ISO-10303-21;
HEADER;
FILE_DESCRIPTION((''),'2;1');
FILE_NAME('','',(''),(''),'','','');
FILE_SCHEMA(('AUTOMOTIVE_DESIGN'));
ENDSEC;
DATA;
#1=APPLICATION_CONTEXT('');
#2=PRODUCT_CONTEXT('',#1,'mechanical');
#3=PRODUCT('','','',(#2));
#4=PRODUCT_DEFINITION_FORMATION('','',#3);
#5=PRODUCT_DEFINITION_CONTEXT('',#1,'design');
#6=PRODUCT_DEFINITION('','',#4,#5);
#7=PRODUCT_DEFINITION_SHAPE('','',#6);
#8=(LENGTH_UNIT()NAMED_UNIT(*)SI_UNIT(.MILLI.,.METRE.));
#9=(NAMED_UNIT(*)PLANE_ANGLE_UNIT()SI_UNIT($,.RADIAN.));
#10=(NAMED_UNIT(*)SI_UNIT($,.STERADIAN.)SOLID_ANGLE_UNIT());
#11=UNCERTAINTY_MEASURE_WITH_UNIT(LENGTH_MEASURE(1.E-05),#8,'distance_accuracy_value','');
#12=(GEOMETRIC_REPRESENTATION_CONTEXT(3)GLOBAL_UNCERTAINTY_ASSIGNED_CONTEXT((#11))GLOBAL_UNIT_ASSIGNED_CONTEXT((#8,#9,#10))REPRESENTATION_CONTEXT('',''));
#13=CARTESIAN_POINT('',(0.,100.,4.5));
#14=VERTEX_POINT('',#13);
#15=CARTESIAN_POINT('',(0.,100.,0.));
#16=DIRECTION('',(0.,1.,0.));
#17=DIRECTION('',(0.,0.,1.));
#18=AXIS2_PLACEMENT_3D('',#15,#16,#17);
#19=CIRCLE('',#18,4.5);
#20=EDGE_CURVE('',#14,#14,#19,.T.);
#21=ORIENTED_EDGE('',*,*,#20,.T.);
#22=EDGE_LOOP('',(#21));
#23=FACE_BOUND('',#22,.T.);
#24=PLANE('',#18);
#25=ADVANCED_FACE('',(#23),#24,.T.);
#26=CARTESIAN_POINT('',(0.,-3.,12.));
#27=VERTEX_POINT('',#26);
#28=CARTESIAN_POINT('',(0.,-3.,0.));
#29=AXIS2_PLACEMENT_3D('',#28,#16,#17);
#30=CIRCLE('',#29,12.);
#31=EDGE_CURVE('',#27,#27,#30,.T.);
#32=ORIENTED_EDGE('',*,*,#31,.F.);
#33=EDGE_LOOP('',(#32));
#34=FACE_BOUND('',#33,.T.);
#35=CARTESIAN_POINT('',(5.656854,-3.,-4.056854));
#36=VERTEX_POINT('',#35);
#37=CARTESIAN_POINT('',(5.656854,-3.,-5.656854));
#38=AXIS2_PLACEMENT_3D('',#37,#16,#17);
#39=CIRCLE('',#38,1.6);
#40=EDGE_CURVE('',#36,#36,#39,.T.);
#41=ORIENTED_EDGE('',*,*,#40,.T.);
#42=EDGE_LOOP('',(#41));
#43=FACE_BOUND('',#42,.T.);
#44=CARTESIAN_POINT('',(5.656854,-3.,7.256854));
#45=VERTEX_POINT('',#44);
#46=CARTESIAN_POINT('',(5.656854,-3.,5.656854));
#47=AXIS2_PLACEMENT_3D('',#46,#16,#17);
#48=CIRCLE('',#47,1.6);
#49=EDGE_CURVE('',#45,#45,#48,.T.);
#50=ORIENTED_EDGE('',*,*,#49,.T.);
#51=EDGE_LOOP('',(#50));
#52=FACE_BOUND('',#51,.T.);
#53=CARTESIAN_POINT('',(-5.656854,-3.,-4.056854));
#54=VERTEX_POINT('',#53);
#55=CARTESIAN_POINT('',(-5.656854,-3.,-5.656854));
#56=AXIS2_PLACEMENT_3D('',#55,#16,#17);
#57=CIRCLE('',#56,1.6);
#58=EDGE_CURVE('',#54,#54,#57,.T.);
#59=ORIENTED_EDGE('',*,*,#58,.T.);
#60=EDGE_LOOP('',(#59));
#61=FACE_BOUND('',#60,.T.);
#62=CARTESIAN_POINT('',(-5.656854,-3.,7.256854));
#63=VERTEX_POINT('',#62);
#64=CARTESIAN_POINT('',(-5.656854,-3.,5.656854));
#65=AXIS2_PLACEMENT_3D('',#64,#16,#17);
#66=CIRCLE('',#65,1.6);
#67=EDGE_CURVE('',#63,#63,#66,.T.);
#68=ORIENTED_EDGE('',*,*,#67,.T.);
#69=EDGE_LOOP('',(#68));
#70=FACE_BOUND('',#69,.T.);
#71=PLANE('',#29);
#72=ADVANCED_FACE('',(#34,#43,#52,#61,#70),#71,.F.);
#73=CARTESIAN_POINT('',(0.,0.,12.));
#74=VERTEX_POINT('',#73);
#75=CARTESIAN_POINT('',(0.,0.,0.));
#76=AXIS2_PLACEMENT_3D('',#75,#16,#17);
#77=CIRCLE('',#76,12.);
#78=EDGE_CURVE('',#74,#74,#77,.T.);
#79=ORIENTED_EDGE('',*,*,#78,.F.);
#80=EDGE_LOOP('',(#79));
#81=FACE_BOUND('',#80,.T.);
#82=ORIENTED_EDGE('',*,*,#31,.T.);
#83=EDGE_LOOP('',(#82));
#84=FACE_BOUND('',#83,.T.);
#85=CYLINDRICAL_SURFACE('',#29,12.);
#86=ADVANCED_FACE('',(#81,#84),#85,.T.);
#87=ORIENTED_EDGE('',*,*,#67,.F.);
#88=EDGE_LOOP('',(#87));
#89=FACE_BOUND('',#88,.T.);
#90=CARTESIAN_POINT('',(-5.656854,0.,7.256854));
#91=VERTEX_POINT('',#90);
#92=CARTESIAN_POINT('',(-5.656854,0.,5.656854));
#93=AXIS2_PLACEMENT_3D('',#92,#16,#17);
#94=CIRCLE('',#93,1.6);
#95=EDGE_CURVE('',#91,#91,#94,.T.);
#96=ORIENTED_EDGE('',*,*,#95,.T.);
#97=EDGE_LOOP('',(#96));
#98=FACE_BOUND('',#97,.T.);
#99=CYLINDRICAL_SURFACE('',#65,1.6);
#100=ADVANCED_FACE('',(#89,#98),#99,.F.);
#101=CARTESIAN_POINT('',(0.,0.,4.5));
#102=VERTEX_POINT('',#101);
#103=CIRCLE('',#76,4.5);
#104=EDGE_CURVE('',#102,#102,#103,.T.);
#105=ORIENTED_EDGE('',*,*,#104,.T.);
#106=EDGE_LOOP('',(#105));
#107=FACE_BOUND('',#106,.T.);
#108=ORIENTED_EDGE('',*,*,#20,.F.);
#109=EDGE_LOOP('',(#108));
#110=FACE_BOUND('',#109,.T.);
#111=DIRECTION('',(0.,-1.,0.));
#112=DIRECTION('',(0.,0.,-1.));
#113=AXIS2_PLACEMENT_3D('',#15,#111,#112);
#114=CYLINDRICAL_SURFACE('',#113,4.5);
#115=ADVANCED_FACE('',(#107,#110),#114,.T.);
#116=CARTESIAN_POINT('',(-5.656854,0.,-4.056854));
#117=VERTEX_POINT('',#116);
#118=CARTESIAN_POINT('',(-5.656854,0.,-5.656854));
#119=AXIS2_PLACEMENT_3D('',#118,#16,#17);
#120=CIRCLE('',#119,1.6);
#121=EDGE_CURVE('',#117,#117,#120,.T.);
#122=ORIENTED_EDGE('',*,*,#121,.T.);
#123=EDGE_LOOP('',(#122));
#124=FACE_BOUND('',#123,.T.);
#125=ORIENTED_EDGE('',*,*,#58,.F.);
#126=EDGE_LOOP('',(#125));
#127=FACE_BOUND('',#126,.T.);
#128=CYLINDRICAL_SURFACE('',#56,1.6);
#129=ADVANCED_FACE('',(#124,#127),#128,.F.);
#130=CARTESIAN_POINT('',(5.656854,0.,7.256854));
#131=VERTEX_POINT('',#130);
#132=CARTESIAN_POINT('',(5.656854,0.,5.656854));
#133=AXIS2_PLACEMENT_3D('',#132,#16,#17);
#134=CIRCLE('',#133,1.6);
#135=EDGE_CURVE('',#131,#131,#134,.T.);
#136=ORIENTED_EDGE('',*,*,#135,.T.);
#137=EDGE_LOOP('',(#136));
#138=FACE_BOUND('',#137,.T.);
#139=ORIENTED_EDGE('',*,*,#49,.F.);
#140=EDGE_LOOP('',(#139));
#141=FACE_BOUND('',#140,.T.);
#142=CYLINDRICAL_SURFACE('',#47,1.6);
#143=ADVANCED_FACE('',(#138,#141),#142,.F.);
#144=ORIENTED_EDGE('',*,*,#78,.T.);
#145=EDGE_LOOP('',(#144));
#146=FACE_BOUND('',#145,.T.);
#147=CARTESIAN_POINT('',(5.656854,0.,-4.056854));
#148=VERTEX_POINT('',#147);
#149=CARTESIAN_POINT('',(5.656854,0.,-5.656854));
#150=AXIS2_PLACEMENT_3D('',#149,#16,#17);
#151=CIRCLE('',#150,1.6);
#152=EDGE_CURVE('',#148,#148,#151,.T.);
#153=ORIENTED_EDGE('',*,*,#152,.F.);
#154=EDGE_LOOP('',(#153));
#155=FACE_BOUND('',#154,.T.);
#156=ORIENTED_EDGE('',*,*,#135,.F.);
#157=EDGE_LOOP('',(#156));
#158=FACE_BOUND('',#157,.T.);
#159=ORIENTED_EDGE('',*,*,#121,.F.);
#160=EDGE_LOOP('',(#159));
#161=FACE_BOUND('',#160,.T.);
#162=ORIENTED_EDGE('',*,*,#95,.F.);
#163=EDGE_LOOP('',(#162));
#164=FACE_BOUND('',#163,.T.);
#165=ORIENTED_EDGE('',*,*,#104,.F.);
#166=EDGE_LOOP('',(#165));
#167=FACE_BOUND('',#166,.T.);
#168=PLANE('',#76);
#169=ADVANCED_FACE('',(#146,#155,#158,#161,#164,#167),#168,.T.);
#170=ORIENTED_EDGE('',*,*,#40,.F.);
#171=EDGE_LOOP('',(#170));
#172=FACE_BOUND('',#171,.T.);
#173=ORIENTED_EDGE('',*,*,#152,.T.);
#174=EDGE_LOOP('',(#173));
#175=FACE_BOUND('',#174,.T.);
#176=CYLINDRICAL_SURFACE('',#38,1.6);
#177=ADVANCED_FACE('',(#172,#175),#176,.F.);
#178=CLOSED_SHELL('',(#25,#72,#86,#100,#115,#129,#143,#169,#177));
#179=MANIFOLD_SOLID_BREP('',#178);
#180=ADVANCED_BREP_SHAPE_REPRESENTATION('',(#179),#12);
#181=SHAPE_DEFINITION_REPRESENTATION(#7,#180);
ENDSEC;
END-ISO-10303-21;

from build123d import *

# Parameters (mm, degrees)
SKETCH_1_R          = 12
EXTRUDE_2_DEPTH     = 3
SKETCH_2_R          = 1.6
CUT_EXTRUDE_1_DEPTH = 3
SKETCH_3_R          = 4.5
EXTRUDE_3_DEPTH     = 100


with BuildPart() as part:
    # 草图1 → 凸台-拉伸2 (new body)
    with BuildSketch(Plane(origin=(0, 0, 0), x_dir=(1, 0, 0), z_dir=(0, 1, 0))):
        with Locations(Location((0, 0, 0), (0, 0, 270))):
            Circle(SKETCH_1_R)
    extrude(amount=-EXTRUDE_2_DEPTH)

    # 草图2 → 切除-拉伸1 (cut)
    with BuildSketch(Plane(origin=(0, 0, 0), x_dir=(1, 0, 0), z_dir=(0, 1, 0))):
        with Locations(Location((5.656854249, -5.656854249, 0), (0, 0, 270))):
            Circle(SKETCH_2_R)
        with Locations(Location((-5.656854249, -5.656854249, 0), (0, 0, 270))):
            Circle(SKETCH_2_R)
        with Locations(Location((-5.656854249, 5.656854249, 0), (0, 0, 270))):
            Circle(SKETCH_2_R)
        with Locations(Location((5.656854249, 5.656854249, 0), (0, 0, 270))):
            Circle(SKETCH_2_R)
    extrude(amount=-CUT_EXTRUDE_1_DEPTH, mode=Mode.SUBTRACT)

    # 草图3 → 凸台-拉伸3 (add)
    with BuildSketch(Plane(origin=(0, 0, 0), x_dir=(1, 0, 0), z_dir=(0, 1, 0))):
        with Locations(Location((0, 0, 0), (0, 0, 270))):
            Circle(SKETCH_3_R)
    extrude(amount=EXTRUDE_3_DEPTH)


solid = part.part
